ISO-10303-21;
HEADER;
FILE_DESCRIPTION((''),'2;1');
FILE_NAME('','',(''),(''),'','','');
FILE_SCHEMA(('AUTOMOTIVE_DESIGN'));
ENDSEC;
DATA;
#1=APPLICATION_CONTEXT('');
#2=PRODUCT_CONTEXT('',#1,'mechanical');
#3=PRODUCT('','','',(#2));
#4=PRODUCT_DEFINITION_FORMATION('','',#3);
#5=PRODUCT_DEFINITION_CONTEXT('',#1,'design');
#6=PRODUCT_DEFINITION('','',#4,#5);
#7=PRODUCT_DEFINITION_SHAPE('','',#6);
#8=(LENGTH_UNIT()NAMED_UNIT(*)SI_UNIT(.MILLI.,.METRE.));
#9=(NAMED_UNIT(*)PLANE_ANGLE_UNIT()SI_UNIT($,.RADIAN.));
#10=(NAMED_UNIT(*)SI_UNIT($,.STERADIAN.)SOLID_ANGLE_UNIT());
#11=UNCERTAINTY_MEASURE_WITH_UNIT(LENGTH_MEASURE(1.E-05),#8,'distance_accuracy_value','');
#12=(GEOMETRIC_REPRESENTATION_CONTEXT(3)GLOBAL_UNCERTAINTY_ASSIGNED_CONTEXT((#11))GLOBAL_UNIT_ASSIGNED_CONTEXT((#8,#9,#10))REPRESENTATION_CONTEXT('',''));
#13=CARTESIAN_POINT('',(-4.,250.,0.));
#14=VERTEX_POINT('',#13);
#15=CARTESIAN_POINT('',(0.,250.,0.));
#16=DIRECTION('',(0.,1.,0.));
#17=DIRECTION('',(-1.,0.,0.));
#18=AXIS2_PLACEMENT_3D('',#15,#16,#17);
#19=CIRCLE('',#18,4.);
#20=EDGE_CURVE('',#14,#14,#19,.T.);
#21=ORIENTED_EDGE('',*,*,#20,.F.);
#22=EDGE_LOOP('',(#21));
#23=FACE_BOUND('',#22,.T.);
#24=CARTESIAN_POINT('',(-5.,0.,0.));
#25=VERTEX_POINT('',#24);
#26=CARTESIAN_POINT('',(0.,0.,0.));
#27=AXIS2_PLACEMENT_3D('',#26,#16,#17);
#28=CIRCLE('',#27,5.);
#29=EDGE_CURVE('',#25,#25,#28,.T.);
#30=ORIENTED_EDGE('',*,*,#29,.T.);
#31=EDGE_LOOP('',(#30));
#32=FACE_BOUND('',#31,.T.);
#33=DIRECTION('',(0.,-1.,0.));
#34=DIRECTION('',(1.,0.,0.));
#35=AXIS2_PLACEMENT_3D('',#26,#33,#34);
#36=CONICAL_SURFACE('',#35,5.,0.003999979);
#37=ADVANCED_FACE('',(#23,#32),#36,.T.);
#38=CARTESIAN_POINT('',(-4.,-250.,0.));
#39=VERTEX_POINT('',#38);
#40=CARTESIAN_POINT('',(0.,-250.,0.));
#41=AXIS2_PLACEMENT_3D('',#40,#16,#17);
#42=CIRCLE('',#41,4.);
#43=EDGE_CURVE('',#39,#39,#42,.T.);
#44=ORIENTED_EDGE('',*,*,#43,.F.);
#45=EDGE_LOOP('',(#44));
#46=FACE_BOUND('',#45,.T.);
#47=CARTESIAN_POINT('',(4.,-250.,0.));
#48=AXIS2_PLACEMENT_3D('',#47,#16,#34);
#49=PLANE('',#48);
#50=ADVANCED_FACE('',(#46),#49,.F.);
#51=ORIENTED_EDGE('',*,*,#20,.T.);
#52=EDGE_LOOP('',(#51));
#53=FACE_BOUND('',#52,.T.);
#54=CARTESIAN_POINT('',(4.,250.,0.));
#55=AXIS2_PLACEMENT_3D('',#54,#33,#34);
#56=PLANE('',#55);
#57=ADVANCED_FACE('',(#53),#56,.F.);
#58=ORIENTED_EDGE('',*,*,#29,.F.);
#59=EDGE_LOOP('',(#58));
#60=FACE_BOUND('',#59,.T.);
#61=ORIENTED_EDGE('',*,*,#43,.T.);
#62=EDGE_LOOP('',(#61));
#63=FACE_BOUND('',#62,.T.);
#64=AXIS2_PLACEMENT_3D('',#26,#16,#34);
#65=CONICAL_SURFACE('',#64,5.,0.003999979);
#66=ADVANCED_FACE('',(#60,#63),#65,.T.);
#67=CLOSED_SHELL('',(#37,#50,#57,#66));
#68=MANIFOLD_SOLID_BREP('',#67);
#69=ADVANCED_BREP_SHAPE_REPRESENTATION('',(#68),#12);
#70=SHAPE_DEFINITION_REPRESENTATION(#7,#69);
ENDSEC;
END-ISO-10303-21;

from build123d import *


with BuildPart() as part:
    # Esquisse1 → Révolution1 (revolve)
    with BuildSketch(Plane.XY, mode=Mode.PRIVATE) as r_volution1_sk:
        Polygon((0, 0), (5, 0), (4, 250), (0, 250), align=None)
    r_volution1 = revolve(r_volution1_sk.sketch.rotate(Axis((0, 250, 0), (0, -1, 0)), 180), axis=Axis((0, 250, 0), (0, -1, 0)))

    # Symétrie1: Révolution1 across plane
    add(r_volution1.mirror(Plane.ZX))


solid = part.part
